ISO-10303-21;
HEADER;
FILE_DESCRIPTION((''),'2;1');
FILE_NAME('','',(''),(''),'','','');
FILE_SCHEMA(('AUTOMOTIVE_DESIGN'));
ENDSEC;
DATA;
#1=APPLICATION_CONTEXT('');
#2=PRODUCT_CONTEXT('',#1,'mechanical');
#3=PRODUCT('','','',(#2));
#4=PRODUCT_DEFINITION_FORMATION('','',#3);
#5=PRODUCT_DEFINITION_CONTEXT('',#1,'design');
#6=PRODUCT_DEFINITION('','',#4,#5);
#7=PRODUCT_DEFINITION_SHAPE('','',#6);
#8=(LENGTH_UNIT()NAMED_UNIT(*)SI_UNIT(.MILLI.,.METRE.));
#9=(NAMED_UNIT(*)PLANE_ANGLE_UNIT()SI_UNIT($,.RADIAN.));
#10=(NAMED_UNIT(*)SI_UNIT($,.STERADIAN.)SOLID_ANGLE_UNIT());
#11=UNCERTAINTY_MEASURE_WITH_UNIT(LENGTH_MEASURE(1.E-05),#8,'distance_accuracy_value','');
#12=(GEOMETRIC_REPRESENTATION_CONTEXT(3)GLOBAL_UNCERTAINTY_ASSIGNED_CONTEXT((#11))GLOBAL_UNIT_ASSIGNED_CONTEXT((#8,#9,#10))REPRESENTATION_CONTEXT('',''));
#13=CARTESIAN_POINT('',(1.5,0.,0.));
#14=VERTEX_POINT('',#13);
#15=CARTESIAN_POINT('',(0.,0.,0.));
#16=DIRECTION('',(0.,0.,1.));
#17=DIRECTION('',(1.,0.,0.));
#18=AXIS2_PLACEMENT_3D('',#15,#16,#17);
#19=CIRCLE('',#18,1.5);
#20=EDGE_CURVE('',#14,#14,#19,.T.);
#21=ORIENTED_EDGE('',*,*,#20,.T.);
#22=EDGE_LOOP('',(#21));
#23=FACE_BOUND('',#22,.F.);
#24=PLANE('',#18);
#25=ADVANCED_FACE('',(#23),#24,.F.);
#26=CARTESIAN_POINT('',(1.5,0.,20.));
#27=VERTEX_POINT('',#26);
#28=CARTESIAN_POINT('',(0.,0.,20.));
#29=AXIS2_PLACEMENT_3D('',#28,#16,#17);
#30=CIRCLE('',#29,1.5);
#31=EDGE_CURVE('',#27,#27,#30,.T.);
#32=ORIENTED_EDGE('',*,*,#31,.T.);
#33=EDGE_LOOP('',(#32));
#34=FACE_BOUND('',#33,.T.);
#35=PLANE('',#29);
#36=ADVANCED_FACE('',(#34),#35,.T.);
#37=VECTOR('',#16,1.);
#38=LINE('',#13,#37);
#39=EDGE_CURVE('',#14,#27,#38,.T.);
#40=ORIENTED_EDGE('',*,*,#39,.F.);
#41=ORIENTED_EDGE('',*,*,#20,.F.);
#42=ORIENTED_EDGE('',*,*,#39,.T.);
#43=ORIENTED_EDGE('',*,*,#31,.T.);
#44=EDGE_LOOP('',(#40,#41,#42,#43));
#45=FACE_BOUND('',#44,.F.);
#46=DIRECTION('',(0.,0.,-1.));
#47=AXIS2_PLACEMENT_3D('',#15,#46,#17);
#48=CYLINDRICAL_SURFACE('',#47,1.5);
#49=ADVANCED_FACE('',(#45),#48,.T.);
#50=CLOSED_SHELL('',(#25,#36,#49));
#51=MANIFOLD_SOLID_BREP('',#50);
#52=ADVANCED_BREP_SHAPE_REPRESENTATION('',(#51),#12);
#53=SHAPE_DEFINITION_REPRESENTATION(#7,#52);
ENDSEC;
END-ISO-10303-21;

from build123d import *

# Parameters (mm, degrees)
SKETCH1_R           = 1.5
BOSS_EXTRUDE1_DEPTH = 20


with BuildPart() as part:
    # Sketch1 → Boss-Extrude1 (new body)
    with BuildSketch(Plane.XY):
        Circle(SKETCH1_R)
    extrude(amount=BOSS_EXTRUDE1_DEPTH)


solid = part.part
